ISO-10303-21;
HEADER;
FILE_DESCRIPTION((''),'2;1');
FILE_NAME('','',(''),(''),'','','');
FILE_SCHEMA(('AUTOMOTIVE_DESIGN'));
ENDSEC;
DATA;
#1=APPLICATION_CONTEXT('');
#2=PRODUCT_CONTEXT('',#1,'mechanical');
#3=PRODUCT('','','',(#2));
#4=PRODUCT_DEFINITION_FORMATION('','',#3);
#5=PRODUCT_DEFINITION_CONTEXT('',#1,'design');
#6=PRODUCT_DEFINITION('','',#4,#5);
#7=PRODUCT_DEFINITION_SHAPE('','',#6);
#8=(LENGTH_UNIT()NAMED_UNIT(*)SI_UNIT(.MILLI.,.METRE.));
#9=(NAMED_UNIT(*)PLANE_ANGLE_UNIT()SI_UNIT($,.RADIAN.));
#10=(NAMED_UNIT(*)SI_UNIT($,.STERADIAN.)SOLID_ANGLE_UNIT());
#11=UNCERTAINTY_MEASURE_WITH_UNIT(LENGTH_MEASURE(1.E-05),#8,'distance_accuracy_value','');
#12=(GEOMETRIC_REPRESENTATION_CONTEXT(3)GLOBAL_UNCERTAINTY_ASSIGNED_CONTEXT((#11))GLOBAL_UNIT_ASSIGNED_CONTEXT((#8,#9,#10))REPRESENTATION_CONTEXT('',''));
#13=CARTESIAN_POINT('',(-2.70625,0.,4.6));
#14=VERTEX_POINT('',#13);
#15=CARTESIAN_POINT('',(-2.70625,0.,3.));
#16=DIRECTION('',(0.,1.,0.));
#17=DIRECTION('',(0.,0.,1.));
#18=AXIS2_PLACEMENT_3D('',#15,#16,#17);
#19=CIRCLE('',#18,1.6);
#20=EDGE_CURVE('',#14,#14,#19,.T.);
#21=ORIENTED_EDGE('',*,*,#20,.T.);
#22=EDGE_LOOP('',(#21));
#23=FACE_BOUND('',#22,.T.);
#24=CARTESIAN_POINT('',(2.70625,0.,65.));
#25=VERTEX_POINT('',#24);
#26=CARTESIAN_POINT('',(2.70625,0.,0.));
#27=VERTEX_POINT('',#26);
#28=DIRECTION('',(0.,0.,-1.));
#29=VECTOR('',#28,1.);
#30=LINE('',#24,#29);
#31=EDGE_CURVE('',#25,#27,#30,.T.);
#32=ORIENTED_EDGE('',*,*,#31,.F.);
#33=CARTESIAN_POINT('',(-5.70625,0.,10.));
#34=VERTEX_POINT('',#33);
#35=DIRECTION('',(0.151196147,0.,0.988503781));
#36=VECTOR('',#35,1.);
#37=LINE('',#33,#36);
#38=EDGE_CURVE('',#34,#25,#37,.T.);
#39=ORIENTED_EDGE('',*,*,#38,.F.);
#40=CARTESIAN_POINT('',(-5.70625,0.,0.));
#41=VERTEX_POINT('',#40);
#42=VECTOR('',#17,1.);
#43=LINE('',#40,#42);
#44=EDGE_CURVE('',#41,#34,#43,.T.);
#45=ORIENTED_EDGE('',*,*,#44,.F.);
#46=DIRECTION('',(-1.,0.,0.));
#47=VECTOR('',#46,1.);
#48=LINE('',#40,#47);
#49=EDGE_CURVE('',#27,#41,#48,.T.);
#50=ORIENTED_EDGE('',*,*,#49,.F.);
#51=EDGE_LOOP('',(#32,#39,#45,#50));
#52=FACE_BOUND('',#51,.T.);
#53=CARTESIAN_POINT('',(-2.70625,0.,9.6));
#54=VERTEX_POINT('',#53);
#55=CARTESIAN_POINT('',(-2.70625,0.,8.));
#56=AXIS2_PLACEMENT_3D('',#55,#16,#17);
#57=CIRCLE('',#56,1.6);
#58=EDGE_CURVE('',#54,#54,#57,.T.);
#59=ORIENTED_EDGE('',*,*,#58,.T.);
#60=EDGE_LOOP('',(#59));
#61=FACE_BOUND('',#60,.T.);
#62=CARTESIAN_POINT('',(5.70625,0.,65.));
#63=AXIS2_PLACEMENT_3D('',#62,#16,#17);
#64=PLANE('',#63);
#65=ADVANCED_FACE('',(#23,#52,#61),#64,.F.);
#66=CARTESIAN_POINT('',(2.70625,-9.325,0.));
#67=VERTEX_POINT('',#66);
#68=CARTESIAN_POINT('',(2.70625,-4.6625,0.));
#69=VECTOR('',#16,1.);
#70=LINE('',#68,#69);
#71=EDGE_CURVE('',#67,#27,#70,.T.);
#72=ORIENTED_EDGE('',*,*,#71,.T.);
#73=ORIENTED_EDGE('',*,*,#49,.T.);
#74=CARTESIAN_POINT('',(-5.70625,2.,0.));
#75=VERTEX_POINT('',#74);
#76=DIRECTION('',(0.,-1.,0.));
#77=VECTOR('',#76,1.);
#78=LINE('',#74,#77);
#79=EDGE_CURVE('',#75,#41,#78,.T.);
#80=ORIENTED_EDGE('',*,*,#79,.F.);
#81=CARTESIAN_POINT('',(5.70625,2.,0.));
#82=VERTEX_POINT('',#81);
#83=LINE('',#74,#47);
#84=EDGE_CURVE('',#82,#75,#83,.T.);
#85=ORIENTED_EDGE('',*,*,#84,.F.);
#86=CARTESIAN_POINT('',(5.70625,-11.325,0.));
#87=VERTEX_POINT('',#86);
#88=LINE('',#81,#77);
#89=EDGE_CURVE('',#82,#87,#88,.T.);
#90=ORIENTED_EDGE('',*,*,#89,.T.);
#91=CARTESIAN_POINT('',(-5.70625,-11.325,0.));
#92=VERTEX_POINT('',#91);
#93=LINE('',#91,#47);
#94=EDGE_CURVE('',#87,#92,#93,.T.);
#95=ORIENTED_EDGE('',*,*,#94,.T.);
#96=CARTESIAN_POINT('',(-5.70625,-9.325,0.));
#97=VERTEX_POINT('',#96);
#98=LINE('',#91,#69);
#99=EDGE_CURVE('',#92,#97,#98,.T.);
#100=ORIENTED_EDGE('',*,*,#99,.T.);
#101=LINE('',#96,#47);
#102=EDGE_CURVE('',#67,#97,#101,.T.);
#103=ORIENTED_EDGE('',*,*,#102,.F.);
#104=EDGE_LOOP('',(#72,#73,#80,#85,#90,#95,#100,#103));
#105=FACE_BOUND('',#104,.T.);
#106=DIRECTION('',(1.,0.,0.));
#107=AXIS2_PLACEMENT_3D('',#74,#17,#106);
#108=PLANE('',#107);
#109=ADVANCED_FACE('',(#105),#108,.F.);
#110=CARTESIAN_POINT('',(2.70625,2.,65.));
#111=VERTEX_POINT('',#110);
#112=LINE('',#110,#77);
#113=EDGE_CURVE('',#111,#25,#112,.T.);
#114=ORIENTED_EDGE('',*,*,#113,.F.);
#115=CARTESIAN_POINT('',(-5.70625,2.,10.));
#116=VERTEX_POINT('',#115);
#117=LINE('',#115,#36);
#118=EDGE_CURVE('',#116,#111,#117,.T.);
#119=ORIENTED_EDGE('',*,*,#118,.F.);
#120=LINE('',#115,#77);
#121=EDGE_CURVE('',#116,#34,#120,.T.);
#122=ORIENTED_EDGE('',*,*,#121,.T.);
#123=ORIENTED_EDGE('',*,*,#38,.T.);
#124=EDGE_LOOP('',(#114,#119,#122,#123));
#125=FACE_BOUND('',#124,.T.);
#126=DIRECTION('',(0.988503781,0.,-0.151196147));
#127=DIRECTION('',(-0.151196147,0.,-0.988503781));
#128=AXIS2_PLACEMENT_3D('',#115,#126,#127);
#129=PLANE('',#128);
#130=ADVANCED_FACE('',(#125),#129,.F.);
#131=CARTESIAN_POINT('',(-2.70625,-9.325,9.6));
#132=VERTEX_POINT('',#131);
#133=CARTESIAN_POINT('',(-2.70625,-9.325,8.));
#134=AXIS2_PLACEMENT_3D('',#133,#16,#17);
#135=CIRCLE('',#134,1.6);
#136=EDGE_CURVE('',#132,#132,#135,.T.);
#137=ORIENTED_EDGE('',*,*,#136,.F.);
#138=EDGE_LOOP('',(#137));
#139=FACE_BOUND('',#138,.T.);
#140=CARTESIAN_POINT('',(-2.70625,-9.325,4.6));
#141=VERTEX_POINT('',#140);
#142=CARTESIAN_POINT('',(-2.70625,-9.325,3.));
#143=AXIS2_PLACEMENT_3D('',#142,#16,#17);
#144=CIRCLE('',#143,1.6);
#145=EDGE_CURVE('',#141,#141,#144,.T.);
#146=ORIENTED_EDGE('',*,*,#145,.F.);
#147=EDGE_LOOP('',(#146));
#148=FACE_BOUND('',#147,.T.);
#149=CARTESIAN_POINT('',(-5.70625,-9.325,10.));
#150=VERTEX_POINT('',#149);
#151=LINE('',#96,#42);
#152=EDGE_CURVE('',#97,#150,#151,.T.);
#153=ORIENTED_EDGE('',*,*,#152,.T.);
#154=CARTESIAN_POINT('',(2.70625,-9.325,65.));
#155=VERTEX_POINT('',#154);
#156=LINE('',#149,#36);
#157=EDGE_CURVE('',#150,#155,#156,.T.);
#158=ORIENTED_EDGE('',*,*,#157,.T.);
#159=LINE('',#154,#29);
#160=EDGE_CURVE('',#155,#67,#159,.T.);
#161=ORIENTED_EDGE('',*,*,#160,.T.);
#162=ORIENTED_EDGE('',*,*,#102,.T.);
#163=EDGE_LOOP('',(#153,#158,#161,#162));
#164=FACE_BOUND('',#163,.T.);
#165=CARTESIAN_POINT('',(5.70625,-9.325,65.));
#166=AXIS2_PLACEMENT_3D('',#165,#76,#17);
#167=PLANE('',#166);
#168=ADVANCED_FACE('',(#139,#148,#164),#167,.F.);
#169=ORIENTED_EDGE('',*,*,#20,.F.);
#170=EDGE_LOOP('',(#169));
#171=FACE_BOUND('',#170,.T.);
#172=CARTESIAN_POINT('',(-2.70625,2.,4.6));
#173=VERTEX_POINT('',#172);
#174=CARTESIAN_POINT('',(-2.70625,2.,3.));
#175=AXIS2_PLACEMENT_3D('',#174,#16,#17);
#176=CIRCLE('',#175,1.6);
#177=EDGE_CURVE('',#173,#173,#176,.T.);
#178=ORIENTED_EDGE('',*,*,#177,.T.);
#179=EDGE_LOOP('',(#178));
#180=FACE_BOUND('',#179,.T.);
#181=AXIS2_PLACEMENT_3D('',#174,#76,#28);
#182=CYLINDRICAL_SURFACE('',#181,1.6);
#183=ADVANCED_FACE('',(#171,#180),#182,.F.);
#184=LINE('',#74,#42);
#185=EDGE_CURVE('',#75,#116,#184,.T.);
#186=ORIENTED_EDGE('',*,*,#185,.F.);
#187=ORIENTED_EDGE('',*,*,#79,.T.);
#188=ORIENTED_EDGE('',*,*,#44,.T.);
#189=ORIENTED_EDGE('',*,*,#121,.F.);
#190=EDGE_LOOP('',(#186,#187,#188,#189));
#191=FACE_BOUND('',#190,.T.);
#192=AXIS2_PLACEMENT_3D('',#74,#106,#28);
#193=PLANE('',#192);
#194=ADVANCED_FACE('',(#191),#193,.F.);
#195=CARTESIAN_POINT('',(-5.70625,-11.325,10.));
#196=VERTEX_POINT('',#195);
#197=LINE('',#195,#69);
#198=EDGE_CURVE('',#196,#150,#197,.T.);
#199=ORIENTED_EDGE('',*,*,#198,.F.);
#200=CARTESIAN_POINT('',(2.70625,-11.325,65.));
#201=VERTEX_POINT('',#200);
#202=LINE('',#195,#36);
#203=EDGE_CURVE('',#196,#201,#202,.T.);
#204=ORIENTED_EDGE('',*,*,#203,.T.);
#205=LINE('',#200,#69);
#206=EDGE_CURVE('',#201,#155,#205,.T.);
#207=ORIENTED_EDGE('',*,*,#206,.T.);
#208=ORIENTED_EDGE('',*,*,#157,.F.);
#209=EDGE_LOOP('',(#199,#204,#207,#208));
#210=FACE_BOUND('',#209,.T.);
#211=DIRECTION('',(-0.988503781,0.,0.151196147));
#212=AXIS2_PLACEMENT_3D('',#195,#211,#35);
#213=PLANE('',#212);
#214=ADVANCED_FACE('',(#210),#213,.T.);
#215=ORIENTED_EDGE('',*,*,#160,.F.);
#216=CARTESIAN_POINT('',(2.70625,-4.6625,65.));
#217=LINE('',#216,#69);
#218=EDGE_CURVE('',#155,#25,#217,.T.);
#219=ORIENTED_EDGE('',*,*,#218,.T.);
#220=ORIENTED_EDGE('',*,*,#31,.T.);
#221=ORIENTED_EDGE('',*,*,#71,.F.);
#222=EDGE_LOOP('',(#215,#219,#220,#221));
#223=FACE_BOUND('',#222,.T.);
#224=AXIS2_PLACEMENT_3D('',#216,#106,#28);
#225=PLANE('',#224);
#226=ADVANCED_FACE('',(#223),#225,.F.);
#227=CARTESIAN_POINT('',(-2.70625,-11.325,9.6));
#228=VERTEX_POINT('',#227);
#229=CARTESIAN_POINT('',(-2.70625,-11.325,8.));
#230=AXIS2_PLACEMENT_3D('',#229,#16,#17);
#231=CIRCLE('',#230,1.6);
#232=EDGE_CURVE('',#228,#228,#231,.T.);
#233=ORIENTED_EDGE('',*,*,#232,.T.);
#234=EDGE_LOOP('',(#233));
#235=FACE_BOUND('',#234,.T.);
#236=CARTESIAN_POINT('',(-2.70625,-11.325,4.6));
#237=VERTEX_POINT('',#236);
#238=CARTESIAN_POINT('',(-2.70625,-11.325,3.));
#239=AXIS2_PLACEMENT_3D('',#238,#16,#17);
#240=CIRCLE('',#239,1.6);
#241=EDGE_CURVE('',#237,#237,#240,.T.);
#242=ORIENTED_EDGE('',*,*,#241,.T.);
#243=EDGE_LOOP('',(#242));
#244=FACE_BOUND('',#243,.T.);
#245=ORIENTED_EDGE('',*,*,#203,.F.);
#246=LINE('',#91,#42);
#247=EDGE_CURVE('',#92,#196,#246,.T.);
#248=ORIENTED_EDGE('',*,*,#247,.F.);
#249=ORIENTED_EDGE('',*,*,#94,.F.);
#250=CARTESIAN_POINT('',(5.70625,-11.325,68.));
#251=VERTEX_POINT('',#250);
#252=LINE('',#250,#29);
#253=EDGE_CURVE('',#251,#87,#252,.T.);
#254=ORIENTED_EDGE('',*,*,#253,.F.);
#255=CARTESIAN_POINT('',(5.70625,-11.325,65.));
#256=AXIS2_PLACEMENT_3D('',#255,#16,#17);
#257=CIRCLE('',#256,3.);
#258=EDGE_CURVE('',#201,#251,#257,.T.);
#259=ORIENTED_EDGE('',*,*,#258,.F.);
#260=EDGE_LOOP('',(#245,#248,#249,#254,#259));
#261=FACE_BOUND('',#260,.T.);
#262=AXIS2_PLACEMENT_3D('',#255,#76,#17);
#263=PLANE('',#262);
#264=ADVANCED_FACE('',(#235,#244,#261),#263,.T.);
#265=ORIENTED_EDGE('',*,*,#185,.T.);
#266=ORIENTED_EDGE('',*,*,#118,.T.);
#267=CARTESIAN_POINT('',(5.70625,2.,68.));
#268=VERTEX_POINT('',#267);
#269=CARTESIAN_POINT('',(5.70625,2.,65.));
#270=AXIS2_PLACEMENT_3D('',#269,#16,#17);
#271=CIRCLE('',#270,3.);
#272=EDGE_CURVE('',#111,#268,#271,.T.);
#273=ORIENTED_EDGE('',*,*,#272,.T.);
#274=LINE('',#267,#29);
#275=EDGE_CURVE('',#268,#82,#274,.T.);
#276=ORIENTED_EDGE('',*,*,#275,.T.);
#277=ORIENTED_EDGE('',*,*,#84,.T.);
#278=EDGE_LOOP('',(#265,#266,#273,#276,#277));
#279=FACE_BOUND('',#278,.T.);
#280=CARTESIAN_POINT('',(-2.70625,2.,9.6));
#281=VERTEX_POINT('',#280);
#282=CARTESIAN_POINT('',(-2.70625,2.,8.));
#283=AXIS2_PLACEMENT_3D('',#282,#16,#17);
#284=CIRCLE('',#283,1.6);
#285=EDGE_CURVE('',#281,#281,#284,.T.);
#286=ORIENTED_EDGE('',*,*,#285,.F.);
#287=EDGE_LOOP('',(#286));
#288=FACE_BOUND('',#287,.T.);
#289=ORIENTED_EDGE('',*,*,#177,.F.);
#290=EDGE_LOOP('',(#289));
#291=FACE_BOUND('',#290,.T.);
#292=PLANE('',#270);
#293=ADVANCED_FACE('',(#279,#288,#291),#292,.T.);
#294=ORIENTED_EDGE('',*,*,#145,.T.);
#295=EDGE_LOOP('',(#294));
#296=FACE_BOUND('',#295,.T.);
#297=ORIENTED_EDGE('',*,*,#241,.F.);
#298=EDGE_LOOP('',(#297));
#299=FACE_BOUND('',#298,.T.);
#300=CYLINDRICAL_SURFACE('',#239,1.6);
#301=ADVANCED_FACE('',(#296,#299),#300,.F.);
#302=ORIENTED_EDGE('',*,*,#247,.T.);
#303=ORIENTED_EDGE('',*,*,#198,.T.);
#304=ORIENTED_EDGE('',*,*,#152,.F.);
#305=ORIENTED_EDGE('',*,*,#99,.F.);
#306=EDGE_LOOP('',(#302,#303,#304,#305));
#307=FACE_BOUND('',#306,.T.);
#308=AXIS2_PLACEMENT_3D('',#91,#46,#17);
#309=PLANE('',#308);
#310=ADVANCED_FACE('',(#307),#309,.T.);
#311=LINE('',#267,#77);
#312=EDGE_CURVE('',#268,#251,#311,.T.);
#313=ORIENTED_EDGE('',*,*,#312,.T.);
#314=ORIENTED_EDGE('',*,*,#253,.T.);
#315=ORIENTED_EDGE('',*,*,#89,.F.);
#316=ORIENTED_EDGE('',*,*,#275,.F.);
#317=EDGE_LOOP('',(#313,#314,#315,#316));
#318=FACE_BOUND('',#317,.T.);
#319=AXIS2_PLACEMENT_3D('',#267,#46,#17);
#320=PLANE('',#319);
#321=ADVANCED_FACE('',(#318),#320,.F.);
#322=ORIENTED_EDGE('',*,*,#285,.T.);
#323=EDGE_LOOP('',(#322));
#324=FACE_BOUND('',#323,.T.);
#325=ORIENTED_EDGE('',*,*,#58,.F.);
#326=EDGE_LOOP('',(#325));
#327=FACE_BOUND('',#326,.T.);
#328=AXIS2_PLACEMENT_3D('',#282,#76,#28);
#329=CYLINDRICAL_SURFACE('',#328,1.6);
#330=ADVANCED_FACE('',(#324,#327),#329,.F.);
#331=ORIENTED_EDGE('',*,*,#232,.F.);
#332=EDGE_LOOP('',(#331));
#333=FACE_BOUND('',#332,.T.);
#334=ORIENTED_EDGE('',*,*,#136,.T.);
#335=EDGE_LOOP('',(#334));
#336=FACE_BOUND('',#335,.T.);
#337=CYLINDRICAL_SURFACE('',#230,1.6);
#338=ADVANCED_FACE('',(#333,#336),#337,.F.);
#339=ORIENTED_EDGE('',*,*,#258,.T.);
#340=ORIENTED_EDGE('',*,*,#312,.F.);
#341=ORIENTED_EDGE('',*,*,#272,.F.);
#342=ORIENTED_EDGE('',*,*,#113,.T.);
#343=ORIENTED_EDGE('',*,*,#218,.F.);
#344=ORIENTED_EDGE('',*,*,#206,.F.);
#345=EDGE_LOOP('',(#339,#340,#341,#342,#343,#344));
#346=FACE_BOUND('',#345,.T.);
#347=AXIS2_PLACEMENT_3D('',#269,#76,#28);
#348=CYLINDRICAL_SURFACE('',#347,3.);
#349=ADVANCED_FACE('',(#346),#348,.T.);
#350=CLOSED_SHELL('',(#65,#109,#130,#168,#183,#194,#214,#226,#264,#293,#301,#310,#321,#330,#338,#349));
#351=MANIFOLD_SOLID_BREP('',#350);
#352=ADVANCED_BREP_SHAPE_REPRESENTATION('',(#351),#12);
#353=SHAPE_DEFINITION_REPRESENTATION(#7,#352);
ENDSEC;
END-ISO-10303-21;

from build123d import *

# Parameters (mm, degrees)
SKETCH1_R           = 1.6
BOSS_EXTRUDE1_DEPTH = 2
BOSS_EXTRUDE2_START = 4.6625
BOSS_EXTRUDE2_DEPTH = 4.6625


with BuildPart() as part:
    # Sketch1 → Boss-Extrude1 (new body)
    with BuildSketch(Plane(origin=(0, 0, 0), x_dir=(1, 0, 0), z_dir=(0, 1, 0))):
        with BuildLine():
            Line((-5.70625, 0), (5.70625, 0))
            Line((5.70625, 0), (5.70625, -68))
            ThreePointArc((5.70625, -68), (3.584929656, -67.121320344), (2.70625, -65))
            Line((2.70625, -65), (-5.70625, -10))
            Line((-5.70625, -10), (-5.70625, 0))
        make_face()
        with Locations(Location((-2.70625, -3, 0), (0, 0, 270))):
            Circle(SKETCH1_R, mode=Mode.SUBTRACT)
        with Locations(Location((-2.70625, -8, 0), (0, 0, 270))):
            Circle(SKETCH1_R, mode=Mode.SUBTRACT)
    boss_extrude1 = extrude(amount=BOSS_EXTRUDE1_DEPTH)

    # Sketch2 → Boss-Extrude2 (add)
    with BuildSketch(Plane.XZ.offset(BOSS_EXTRUDE2_START)):
        with BuildLine():
            Line((5.70625, 68), (5.70625, 0))
            Line((5.70625, 0), (2.70625, 0))
            Line((2.70625, 0), (2.70625, 65))
            ThreePointArc((2.70625, 65), (3.584929656, 67.121320344), (5.70625, 68))
        make_face()
    boss_extrude2 = extrude(amount=-BOSS_EXTRUDE2_DEPTH)

    # Mirror6: Boss-Extrude2 across plane
    add(boss_extrude2.mirror(Plane(origin=(0, -4.6625, 0), x_dir=(0, 0, 1), z_dir=(0, -1, 0))))

    # Mirror7: Boss-Extrude1 across plane
    add(boss_extrude1.mirror(Plane(origin=(0, -4.6625, 0), x_dir=(0, 0, 1), z_dir=(0, -1, 0))))


solid = part.part
